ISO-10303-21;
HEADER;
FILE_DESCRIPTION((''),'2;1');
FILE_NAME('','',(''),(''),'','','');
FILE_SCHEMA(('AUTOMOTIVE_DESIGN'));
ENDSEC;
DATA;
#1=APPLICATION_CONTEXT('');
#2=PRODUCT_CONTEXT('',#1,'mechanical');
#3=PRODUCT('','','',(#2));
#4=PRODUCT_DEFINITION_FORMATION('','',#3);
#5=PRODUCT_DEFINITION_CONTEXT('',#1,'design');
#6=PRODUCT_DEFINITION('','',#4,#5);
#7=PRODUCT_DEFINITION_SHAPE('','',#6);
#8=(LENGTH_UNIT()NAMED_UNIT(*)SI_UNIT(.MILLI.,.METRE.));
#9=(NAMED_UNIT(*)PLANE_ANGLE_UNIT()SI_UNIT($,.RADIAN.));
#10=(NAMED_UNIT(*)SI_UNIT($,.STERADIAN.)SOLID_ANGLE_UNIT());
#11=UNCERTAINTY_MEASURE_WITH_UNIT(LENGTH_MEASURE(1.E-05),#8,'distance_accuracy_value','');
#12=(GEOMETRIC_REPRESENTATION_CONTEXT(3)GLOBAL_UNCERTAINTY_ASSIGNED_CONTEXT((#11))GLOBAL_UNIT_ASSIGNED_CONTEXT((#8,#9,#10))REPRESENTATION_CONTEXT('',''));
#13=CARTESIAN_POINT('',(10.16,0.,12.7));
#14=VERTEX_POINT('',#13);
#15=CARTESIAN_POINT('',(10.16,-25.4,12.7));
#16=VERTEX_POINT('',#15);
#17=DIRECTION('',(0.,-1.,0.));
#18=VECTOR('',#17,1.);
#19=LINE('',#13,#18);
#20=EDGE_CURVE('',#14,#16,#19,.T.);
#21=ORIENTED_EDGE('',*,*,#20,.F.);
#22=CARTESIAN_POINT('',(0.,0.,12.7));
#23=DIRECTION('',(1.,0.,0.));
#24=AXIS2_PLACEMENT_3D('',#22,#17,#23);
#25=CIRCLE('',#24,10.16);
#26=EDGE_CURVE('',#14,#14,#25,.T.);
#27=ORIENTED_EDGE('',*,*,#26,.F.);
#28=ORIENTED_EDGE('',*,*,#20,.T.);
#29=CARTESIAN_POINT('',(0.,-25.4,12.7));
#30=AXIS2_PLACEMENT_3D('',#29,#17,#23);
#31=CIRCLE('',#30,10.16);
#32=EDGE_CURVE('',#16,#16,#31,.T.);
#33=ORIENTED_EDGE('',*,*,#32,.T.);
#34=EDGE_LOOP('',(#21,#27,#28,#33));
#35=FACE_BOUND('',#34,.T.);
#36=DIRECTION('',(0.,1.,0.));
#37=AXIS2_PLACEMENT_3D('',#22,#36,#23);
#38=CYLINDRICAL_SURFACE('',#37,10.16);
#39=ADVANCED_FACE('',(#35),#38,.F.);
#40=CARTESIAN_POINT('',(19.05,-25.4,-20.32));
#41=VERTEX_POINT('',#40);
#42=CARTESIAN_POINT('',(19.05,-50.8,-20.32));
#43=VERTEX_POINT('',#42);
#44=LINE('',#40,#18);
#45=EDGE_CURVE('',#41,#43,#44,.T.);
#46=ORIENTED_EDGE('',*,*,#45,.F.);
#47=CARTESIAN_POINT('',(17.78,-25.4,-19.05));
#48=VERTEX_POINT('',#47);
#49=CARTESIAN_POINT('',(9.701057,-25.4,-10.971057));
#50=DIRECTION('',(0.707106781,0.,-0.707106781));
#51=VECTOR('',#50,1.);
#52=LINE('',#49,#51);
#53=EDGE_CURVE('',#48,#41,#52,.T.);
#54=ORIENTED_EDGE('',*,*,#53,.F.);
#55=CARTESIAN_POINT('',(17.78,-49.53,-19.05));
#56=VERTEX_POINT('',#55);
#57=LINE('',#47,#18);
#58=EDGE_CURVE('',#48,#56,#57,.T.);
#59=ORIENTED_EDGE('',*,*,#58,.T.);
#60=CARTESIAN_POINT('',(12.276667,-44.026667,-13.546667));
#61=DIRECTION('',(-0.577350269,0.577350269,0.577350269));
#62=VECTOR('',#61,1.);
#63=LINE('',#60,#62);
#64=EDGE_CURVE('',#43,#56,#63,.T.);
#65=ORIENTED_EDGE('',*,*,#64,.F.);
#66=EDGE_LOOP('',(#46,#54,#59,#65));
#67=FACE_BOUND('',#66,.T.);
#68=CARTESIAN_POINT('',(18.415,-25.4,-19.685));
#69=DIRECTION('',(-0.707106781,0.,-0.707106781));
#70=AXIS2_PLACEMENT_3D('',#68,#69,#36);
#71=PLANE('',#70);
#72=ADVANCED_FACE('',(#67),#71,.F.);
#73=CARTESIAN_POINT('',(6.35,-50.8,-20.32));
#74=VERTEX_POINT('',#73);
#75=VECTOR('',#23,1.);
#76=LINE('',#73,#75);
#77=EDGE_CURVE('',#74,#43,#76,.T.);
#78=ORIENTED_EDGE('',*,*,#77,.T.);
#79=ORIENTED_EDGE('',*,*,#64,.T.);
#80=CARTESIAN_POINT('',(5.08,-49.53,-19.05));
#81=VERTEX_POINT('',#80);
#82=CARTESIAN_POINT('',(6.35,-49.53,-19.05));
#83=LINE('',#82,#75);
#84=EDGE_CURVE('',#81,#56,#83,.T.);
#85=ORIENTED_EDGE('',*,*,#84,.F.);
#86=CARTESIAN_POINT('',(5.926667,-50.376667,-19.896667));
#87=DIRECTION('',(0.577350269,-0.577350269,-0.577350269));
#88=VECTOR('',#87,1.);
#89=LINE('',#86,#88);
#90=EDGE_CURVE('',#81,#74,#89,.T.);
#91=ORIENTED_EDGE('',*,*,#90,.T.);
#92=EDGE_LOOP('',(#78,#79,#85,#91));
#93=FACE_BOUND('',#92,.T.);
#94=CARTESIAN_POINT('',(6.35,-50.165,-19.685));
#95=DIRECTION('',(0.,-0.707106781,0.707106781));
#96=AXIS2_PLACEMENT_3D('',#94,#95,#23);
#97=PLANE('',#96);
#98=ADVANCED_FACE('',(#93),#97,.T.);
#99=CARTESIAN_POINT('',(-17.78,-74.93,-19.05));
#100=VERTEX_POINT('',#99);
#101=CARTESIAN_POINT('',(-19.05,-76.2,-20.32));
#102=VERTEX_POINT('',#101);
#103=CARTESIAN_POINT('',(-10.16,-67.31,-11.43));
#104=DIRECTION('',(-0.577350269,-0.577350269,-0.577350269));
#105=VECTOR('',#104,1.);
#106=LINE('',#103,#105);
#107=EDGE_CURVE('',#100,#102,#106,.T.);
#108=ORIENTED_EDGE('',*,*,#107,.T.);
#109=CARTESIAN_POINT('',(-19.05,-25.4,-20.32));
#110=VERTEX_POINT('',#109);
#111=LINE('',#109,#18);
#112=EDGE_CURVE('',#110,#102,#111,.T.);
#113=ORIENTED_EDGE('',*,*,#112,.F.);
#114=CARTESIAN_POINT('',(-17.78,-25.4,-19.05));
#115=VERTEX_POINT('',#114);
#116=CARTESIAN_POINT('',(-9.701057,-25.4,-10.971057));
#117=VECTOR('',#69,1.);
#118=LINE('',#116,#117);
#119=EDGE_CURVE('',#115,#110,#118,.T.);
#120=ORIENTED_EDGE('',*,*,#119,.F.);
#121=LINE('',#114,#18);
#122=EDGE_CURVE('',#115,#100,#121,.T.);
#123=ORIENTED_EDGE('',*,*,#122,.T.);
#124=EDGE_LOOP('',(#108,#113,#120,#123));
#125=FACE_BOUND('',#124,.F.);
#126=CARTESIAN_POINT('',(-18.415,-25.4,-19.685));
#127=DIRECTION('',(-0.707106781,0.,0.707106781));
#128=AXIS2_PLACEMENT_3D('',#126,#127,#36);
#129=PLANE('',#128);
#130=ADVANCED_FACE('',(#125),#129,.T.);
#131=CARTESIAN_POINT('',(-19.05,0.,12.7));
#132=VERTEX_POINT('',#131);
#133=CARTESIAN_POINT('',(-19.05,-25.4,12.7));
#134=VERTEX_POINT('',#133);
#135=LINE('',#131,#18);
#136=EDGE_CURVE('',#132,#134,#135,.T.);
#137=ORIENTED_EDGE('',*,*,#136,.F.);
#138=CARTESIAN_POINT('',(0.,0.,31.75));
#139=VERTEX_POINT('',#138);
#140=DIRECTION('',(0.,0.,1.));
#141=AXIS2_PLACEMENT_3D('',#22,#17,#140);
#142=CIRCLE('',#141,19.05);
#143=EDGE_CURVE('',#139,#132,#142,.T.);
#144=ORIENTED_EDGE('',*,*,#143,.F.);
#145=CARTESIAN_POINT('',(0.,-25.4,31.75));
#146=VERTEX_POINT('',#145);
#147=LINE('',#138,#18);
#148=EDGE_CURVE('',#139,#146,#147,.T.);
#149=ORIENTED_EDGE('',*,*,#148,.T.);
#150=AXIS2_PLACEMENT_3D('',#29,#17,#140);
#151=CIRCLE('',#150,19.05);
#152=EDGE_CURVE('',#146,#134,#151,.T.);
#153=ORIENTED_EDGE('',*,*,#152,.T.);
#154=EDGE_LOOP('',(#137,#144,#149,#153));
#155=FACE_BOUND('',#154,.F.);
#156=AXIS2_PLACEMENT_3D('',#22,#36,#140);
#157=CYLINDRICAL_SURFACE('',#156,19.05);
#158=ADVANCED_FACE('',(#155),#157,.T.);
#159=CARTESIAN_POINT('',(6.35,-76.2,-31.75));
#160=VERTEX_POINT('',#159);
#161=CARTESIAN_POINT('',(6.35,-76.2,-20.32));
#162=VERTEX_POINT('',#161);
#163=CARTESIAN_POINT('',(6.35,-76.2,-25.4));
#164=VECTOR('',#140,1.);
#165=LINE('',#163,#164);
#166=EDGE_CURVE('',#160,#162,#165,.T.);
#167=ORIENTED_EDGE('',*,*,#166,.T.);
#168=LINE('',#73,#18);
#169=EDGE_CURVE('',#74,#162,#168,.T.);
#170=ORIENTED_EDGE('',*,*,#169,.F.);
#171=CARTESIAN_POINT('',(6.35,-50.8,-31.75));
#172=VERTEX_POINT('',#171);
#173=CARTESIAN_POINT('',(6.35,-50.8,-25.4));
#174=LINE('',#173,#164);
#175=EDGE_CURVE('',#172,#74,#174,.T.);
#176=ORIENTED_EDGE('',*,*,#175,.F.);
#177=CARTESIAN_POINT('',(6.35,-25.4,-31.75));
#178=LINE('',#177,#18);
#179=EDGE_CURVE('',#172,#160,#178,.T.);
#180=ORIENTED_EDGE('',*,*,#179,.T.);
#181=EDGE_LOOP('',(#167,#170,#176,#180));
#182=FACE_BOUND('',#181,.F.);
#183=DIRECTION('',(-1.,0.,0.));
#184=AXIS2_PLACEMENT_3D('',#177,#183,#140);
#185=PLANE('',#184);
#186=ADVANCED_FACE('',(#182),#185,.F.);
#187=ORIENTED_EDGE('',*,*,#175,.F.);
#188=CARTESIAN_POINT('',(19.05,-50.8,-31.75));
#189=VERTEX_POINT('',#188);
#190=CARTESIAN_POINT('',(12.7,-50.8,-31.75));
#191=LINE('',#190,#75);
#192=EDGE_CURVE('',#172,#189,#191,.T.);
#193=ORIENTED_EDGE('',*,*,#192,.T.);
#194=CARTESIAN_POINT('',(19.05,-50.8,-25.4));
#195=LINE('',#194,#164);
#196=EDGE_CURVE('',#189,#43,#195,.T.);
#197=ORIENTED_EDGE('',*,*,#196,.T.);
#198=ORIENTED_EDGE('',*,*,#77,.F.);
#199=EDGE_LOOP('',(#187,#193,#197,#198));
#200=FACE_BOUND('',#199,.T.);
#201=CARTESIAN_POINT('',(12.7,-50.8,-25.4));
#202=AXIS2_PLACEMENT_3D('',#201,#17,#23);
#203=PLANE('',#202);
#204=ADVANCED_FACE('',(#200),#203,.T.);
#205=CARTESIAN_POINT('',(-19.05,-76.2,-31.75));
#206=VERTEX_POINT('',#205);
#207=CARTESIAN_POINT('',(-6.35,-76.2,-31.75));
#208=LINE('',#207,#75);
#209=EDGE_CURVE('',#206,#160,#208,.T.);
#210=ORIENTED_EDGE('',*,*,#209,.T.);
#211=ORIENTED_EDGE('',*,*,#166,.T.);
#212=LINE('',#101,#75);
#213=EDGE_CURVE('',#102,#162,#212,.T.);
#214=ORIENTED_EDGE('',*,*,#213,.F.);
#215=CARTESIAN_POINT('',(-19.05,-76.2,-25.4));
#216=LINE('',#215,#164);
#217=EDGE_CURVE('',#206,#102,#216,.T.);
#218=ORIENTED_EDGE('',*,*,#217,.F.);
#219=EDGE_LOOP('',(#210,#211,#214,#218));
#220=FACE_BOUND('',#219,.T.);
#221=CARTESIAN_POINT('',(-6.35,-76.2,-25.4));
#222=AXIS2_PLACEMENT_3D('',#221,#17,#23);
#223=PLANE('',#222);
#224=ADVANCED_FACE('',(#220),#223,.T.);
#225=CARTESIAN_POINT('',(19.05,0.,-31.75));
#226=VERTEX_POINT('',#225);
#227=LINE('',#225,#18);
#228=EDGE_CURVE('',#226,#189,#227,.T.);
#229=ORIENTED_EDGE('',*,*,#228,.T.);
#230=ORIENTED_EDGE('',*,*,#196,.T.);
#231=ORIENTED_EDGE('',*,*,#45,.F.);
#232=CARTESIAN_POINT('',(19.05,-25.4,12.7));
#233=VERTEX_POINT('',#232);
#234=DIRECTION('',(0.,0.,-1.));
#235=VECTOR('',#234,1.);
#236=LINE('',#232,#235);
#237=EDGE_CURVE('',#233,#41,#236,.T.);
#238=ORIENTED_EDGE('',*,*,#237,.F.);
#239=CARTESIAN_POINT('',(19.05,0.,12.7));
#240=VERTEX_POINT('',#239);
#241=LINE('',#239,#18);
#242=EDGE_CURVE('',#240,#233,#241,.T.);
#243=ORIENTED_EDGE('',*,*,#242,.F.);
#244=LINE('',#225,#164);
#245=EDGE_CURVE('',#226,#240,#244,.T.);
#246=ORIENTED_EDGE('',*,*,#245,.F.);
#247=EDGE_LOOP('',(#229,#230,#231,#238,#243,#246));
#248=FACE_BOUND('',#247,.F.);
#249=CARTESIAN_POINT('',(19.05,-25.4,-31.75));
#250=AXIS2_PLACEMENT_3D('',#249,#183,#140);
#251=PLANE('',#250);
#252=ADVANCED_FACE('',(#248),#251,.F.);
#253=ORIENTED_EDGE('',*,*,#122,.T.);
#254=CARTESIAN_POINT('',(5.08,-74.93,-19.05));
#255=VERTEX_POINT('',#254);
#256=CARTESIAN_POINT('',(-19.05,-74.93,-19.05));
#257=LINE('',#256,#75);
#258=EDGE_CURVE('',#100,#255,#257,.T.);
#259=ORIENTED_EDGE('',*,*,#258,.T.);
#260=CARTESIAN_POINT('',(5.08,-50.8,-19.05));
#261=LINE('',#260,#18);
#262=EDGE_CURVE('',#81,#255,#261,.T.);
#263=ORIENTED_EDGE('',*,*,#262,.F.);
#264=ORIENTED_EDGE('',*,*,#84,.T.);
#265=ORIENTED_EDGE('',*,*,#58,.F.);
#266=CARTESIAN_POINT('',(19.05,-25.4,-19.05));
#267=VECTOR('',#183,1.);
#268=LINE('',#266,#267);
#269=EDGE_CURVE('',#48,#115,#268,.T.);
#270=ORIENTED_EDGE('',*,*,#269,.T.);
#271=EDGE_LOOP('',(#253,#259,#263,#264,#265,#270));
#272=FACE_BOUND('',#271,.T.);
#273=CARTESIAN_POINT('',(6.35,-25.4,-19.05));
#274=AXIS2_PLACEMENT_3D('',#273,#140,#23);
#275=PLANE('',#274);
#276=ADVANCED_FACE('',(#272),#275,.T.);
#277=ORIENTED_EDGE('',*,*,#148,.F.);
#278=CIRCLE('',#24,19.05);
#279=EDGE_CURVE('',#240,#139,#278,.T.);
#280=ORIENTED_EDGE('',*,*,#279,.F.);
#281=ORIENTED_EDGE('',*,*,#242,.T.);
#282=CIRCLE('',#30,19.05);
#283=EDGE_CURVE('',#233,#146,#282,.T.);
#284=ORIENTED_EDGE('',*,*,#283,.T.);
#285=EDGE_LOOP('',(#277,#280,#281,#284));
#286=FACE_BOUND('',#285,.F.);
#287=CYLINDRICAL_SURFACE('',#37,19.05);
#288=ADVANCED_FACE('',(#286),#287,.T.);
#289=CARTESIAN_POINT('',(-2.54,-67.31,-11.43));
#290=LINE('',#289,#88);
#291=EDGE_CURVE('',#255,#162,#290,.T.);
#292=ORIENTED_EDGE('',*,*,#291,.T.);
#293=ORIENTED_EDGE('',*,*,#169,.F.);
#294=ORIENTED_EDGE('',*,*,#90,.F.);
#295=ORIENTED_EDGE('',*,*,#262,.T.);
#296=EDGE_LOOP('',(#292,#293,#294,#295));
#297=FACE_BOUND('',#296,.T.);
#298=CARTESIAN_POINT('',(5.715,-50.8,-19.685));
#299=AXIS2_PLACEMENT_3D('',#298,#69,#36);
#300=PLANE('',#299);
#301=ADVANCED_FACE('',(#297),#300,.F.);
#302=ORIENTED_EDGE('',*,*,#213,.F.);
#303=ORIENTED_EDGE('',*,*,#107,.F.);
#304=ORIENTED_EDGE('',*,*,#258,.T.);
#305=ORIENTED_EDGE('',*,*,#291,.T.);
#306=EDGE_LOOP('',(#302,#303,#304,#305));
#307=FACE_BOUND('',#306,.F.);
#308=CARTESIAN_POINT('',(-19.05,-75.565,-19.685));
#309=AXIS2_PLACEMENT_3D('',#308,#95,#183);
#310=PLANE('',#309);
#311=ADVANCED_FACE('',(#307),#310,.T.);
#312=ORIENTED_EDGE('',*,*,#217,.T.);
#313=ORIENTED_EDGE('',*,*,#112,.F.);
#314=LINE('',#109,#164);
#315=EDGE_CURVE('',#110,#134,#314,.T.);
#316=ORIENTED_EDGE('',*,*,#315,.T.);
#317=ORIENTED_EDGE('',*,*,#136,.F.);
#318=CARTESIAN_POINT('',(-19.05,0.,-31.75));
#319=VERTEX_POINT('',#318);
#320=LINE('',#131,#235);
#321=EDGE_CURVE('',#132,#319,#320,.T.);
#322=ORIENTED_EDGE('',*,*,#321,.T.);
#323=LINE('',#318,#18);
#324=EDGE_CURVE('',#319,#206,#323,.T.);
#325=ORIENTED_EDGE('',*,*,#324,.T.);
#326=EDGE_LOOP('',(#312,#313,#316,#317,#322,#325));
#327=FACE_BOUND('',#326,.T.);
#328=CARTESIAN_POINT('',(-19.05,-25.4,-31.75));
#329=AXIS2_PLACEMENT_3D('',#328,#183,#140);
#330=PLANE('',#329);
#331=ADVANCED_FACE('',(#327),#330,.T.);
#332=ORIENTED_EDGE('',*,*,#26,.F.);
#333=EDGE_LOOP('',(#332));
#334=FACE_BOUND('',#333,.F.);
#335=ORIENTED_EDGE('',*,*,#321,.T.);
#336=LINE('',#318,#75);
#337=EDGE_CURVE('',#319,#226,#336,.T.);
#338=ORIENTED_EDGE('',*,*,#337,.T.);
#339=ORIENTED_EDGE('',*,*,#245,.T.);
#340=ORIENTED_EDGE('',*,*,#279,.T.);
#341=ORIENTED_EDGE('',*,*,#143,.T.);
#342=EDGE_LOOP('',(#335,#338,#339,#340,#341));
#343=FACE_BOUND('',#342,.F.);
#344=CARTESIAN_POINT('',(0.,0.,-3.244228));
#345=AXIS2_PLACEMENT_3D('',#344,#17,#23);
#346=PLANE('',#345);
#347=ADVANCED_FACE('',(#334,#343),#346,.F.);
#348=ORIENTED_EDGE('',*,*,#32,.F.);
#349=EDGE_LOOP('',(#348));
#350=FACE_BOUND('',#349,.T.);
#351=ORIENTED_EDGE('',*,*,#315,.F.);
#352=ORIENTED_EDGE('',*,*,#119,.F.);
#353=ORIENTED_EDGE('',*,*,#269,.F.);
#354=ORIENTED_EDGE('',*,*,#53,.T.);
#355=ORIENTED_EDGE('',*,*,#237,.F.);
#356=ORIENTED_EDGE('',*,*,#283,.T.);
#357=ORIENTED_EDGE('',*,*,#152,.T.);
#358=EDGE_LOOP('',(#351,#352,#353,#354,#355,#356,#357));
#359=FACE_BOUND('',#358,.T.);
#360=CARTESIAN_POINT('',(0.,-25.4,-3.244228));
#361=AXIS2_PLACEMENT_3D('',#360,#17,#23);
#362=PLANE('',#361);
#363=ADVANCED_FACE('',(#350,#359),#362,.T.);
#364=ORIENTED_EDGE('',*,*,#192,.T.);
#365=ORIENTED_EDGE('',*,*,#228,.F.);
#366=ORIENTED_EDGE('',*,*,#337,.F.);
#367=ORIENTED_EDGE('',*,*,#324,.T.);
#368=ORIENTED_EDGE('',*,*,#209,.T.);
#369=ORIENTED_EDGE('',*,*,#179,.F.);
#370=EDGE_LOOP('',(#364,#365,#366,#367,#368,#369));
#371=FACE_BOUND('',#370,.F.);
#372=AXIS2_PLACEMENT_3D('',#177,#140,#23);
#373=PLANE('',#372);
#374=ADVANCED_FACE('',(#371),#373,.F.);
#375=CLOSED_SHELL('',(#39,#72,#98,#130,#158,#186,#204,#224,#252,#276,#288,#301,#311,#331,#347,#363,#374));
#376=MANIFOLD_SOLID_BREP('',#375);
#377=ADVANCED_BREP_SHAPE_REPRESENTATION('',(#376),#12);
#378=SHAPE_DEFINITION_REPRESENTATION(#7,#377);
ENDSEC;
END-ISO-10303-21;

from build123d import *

# Parameters (mm, degrees)
F0_R     = 10.16
F1_DEPTH = 25.4
F2_W     = 25.4
F2_H     = 12.7
F3_DEPTH = 50.8
F4_W     = 12.7
F4_H     = 12.7
F5_DEPTH = 25.4
F6_SIZE  = 1.27


with BuildPart() as f1:
    # F0 (on Front) → F1 (new body)
    with BuildSketch(Plane.XZ):
        with BuildLine():
            Line((-19.05, 12.7), (-19.05, -31.75))
            Line((-19.05, -31.75), (19.05, -31.75))
            Line((19.05, -31.75), (19.05, 12.7))
            ThreePointArc((19.05, 12.7), (13.4703841797, 26.1703841835), (-5.4e-09, 31.75))
            ThreePointArc((-5.4e-09, 31.75), (-13.4703841835, 26.1703841797), (-19.05, 12.7))
        make_face()
        with Locations((0, 12.7)):
            Circle(F0_R, mode=Mode.SUBTRACT)
    extrude(amount=F1_DEPTH)

    # F2 (on face) → F3 (join)
    with BuildSketch(Plane.XZ.offset(25.4)):
        with Locations((-6.35, -25.4)):
            Rectangle(F2_W, F2_H)
    extrude(amount=F3_DEPTH)

    # F4 (on face) → F5 (join)
    with BuildSketch(Plane.XZ.offset(25.4)):
        with Locations((12.7, -25.4)):
            Rectangle(F4_W, F4_H)
    extrude(amount=F5_DEPTH)

    # F6
    f6_edges = [f1.edges().sort_by_distance(p)[0] for p in [
        (-19.05, -50.8, -19.05),
        (-6.35, -76.2, -19.05),
        (6.35, -63.5, -19.05),
        (12.7, -50.8, -19.05),
        (19.05, -38.1, -19.05),
    ]]
    chamfer(f6_edges, length=F6_SIZE)


solid = f1.part
